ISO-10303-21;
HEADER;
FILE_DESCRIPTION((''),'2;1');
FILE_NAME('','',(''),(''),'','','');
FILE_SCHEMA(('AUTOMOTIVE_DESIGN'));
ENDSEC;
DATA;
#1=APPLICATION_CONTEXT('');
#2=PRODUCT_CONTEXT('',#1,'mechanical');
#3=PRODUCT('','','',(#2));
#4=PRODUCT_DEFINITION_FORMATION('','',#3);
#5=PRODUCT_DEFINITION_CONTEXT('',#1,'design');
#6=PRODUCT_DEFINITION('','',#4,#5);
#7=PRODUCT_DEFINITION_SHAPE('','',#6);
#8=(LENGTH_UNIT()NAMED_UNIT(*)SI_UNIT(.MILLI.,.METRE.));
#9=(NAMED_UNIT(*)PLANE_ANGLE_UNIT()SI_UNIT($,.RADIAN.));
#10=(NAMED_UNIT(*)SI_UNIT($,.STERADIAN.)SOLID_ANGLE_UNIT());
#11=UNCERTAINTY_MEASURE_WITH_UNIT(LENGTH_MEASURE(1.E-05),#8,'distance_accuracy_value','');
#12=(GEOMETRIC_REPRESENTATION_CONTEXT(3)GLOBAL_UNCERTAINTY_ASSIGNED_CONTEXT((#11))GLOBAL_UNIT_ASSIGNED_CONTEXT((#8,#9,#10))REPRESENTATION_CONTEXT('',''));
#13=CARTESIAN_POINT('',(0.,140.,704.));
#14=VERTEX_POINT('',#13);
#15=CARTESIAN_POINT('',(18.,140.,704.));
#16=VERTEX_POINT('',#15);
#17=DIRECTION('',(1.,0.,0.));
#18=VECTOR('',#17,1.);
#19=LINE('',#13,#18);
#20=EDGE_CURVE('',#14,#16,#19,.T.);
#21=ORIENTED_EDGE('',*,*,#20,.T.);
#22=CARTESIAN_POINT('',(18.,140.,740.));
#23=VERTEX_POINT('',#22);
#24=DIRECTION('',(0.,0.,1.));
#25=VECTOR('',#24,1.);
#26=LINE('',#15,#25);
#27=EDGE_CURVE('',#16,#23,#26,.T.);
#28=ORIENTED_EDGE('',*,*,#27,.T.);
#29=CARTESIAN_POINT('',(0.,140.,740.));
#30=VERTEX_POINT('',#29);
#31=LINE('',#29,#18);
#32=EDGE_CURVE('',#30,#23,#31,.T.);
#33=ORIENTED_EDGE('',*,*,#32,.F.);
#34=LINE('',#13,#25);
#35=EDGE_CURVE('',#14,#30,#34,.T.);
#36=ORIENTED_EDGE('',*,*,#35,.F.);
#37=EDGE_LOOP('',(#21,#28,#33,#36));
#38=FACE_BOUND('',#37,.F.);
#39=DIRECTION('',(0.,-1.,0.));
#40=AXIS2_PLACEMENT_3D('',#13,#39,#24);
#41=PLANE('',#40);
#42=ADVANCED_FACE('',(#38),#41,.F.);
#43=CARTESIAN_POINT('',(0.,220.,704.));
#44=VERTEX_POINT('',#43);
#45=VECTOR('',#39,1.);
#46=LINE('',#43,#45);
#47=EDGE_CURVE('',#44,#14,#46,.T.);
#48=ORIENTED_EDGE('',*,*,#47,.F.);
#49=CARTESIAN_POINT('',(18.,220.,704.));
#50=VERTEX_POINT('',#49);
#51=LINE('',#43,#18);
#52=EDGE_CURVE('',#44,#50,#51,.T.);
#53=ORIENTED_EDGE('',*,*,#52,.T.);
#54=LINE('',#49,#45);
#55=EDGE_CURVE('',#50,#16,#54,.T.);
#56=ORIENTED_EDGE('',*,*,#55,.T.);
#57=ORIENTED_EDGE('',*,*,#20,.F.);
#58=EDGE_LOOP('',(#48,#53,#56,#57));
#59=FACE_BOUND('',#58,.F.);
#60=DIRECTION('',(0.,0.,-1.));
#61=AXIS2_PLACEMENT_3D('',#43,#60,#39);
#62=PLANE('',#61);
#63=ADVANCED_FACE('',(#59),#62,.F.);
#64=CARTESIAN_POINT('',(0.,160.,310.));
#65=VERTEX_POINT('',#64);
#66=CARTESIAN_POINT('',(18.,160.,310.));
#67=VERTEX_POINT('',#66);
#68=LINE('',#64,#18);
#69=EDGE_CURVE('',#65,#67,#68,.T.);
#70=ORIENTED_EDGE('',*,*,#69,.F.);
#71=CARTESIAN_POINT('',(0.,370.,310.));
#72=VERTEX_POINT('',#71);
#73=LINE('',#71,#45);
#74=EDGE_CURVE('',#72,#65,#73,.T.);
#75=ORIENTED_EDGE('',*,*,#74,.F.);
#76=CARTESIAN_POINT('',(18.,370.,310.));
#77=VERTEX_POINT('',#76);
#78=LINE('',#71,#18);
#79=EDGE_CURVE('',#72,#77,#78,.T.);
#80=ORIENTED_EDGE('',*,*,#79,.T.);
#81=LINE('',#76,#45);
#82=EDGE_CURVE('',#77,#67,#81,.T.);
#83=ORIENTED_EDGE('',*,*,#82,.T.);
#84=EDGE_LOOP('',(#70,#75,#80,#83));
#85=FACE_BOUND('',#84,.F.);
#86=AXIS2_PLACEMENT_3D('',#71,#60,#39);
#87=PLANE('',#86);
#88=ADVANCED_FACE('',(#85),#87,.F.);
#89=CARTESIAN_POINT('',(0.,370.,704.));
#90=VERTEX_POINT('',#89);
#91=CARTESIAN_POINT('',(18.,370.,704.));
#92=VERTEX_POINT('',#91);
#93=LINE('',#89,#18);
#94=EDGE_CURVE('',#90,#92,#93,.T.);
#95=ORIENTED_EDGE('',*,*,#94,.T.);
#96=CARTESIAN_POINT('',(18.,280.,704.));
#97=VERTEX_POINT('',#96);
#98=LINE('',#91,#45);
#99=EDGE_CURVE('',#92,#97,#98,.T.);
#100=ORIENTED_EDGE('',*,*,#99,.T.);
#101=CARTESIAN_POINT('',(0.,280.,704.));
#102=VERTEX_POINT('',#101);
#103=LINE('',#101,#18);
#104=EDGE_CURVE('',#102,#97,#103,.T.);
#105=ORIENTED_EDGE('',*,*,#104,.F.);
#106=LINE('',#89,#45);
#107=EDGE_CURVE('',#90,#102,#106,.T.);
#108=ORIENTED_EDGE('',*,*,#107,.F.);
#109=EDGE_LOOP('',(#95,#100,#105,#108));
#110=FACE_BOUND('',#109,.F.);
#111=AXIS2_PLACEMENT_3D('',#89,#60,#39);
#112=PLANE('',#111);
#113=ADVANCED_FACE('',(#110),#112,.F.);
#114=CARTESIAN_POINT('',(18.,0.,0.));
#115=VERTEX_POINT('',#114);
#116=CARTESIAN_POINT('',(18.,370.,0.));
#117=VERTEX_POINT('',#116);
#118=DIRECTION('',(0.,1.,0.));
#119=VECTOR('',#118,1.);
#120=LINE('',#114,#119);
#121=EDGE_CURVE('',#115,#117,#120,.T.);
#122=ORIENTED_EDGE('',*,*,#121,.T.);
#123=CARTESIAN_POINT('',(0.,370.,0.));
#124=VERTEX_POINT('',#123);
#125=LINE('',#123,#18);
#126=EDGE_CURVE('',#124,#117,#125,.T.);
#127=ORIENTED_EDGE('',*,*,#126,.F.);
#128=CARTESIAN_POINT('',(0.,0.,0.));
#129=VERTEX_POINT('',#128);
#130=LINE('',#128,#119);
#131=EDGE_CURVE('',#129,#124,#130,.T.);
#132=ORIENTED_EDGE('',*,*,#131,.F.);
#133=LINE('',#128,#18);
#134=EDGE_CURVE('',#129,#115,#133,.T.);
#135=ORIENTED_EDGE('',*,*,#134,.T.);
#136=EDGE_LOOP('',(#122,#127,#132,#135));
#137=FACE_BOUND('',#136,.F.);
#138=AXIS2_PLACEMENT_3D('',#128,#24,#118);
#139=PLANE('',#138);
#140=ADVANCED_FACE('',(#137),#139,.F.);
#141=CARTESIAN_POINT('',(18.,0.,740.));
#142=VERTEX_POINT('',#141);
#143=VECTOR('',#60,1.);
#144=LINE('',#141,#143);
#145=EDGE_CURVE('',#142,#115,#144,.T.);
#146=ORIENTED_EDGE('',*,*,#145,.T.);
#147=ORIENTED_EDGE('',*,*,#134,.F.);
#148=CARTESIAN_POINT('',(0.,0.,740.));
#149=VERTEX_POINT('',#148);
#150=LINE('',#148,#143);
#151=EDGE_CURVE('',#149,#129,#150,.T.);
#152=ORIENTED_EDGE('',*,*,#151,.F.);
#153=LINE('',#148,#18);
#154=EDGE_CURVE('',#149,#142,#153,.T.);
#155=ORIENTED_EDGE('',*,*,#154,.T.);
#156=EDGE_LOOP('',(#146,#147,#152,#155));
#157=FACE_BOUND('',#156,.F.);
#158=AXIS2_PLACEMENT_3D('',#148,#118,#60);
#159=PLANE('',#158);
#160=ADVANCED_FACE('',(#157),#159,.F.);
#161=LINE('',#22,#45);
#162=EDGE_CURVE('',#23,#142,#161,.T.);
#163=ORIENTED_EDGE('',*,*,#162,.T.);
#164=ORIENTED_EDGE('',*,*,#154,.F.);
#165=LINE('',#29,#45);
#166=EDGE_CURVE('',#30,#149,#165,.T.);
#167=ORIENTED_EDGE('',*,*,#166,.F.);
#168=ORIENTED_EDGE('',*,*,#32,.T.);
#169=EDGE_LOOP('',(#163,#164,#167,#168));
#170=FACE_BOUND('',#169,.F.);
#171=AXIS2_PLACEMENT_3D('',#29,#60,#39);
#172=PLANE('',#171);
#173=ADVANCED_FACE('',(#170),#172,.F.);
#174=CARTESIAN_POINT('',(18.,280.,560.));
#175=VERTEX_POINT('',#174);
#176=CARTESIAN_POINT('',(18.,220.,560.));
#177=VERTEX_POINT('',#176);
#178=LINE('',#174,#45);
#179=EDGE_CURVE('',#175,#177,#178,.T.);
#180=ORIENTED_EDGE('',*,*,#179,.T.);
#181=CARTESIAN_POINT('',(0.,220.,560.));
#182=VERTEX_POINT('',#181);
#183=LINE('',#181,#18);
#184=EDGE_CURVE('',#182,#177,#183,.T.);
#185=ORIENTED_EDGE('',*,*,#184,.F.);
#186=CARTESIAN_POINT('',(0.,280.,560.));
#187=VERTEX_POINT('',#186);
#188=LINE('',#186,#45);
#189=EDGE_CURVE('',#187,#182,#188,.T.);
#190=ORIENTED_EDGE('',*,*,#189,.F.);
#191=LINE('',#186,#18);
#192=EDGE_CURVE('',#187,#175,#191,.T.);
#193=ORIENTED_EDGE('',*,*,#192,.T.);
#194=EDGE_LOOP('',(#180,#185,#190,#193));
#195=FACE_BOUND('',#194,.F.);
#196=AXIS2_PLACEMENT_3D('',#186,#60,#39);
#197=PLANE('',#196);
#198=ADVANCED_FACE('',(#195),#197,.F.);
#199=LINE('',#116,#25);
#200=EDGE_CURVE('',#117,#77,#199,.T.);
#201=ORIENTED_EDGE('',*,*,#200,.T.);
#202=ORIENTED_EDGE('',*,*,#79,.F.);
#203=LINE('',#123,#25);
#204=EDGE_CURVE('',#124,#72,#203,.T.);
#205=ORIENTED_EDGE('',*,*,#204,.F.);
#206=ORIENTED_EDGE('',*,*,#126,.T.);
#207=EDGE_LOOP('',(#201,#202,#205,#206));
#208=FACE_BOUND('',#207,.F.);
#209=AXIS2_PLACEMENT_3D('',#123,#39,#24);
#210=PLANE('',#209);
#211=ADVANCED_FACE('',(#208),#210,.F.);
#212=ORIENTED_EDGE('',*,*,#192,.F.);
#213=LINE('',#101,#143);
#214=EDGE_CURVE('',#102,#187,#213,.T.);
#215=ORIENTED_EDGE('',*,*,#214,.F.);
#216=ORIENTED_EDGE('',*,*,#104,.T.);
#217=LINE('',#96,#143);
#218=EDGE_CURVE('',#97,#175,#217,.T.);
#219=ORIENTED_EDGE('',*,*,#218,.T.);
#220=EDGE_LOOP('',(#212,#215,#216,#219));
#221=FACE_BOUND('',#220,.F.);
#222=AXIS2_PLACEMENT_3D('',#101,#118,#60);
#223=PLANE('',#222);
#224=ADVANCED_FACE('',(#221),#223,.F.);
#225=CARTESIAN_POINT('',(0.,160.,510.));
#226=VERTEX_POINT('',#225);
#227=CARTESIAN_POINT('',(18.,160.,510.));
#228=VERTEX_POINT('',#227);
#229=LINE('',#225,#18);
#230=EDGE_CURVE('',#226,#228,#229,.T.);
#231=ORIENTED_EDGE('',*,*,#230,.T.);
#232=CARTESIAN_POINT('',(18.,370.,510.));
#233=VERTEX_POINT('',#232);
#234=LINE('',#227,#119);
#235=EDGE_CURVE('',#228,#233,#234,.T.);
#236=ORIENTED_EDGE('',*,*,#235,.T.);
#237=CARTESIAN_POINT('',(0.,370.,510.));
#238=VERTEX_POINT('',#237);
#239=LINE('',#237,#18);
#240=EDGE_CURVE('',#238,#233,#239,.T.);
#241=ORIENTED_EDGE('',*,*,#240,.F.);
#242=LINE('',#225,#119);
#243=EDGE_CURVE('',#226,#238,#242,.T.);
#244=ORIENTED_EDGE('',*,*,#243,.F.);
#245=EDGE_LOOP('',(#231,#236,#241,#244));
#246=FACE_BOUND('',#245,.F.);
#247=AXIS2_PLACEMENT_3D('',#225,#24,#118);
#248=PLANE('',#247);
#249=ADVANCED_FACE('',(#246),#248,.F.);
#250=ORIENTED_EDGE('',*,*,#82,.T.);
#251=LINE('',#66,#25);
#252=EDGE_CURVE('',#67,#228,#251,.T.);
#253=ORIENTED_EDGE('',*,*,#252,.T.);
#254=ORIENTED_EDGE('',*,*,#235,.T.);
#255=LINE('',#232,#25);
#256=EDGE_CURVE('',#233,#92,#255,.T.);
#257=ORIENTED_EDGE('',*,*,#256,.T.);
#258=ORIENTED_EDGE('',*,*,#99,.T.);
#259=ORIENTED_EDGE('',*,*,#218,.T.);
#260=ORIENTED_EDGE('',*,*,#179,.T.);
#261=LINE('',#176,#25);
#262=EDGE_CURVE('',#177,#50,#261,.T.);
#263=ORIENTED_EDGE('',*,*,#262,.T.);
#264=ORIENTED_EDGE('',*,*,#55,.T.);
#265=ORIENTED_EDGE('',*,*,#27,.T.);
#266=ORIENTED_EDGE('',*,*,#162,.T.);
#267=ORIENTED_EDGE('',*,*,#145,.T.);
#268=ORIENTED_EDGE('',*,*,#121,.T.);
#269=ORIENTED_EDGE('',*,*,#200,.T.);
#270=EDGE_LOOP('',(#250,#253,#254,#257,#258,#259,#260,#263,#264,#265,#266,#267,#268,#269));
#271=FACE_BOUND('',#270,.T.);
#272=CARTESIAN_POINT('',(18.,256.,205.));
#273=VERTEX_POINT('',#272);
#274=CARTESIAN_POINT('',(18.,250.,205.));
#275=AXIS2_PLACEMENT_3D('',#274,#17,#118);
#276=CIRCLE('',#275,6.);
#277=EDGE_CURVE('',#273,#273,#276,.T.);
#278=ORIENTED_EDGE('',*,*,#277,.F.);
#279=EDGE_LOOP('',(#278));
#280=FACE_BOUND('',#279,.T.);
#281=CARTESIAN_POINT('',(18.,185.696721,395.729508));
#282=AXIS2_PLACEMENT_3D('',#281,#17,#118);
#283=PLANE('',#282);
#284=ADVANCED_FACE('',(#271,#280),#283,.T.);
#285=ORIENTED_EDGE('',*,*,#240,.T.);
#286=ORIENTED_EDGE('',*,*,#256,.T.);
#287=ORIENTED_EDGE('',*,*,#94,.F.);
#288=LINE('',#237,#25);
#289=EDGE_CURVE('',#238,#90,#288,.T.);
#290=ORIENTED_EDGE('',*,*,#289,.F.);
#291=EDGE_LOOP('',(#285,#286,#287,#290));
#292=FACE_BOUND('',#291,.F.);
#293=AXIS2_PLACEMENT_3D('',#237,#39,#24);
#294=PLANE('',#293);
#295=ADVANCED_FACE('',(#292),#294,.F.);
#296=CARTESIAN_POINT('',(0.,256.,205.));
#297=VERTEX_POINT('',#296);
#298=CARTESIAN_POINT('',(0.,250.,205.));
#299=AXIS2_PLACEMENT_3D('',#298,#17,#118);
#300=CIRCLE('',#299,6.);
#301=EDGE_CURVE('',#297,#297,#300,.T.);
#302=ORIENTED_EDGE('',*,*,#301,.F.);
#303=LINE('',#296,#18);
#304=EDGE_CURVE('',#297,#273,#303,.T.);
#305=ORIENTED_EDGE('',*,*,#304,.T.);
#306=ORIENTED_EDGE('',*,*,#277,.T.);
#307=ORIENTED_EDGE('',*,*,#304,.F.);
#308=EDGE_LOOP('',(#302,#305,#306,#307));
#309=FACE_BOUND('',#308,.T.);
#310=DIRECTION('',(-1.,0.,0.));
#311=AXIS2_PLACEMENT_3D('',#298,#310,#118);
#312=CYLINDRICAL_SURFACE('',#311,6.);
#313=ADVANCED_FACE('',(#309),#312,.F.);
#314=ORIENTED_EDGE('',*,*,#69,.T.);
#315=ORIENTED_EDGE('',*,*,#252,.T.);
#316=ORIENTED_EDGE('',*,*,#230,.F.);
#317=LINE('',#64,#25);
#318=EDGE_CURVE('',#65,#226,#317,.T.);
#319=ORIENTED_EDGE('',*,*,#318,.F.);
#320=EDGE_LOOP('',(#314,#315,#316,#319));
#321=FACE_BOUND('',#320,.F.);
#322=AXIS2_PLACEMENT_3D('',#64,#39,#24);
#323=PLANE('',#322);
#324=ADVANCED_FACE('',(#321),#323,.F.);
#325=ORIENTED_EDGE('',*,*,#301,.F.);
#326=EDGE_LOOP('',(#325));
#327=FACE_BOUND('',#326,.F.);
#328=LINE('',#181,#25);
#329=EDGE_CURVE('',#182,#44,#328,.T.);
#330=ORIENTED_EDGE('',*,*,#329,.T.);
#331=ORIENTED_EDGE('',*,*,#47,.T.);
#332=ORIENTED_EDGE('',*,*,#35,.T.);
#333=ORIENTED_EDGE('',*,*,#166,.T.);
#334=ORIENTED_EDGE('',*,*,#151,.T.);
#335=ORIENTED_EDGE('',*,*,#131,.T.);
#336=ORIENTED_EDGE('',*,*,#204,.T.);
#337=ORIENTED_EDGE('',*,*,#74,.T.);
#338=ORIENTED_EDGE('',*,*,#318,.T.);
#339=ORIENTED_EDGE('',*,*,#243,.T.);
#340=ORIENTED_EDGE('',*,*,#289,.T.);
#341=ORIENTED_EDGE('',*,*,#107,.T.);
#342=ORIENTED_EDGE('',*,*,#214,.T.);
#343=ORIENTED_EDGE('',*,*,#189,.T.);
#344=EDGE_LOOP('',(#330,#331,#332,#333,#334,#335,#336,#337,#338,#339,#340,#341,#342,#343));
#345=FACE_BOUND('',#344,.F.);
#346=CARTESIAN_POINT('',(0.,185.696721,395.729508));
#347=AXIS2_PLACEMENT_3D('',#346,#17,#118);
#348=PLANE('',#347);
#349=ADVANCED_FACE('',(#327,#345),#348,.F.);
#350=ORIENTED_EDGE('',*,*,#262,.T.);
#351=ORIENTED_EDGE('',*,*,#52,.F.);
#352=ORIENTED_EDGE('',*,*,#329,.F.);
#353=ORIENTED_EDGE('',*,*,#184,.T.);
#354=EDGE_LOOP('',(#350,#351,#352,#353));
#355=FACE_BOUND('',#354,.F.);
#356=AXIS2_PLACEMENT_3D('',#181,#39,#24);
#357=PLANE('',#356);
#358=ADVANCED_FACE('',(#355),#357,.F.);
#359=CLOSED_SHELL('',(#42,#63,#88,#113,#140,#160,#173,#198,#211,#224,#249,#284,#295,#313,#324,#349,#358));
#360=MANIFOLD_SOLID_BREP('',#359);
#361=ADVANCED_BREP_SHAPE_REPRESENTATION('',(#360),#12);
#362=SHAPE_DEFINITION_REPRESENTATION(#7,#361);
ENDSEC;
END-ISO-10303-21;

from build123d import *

# Parameters (mm, degrees)
F0_R     = 6
F1_DEPTH = 18


with BuildPart() as f1:
    # F0 (on Right) → F1 (new body)
    with BuildSketch(Plane.YZ):
        Polygon((0, 740), (0, 0), (370, 0), (370, 310), (160, 310), (160, 510), (370, 510), (370, 704), (280, 704), (280, 560), (220, 560), (220, 704), (140, 704), (140, 740), align=None)
        with Locations((250, 205)):
            Circle(F0_R, mode=Mode.SUBTRACT)
    extrude(amount=F1_DEPTH)


solid = f1.part
